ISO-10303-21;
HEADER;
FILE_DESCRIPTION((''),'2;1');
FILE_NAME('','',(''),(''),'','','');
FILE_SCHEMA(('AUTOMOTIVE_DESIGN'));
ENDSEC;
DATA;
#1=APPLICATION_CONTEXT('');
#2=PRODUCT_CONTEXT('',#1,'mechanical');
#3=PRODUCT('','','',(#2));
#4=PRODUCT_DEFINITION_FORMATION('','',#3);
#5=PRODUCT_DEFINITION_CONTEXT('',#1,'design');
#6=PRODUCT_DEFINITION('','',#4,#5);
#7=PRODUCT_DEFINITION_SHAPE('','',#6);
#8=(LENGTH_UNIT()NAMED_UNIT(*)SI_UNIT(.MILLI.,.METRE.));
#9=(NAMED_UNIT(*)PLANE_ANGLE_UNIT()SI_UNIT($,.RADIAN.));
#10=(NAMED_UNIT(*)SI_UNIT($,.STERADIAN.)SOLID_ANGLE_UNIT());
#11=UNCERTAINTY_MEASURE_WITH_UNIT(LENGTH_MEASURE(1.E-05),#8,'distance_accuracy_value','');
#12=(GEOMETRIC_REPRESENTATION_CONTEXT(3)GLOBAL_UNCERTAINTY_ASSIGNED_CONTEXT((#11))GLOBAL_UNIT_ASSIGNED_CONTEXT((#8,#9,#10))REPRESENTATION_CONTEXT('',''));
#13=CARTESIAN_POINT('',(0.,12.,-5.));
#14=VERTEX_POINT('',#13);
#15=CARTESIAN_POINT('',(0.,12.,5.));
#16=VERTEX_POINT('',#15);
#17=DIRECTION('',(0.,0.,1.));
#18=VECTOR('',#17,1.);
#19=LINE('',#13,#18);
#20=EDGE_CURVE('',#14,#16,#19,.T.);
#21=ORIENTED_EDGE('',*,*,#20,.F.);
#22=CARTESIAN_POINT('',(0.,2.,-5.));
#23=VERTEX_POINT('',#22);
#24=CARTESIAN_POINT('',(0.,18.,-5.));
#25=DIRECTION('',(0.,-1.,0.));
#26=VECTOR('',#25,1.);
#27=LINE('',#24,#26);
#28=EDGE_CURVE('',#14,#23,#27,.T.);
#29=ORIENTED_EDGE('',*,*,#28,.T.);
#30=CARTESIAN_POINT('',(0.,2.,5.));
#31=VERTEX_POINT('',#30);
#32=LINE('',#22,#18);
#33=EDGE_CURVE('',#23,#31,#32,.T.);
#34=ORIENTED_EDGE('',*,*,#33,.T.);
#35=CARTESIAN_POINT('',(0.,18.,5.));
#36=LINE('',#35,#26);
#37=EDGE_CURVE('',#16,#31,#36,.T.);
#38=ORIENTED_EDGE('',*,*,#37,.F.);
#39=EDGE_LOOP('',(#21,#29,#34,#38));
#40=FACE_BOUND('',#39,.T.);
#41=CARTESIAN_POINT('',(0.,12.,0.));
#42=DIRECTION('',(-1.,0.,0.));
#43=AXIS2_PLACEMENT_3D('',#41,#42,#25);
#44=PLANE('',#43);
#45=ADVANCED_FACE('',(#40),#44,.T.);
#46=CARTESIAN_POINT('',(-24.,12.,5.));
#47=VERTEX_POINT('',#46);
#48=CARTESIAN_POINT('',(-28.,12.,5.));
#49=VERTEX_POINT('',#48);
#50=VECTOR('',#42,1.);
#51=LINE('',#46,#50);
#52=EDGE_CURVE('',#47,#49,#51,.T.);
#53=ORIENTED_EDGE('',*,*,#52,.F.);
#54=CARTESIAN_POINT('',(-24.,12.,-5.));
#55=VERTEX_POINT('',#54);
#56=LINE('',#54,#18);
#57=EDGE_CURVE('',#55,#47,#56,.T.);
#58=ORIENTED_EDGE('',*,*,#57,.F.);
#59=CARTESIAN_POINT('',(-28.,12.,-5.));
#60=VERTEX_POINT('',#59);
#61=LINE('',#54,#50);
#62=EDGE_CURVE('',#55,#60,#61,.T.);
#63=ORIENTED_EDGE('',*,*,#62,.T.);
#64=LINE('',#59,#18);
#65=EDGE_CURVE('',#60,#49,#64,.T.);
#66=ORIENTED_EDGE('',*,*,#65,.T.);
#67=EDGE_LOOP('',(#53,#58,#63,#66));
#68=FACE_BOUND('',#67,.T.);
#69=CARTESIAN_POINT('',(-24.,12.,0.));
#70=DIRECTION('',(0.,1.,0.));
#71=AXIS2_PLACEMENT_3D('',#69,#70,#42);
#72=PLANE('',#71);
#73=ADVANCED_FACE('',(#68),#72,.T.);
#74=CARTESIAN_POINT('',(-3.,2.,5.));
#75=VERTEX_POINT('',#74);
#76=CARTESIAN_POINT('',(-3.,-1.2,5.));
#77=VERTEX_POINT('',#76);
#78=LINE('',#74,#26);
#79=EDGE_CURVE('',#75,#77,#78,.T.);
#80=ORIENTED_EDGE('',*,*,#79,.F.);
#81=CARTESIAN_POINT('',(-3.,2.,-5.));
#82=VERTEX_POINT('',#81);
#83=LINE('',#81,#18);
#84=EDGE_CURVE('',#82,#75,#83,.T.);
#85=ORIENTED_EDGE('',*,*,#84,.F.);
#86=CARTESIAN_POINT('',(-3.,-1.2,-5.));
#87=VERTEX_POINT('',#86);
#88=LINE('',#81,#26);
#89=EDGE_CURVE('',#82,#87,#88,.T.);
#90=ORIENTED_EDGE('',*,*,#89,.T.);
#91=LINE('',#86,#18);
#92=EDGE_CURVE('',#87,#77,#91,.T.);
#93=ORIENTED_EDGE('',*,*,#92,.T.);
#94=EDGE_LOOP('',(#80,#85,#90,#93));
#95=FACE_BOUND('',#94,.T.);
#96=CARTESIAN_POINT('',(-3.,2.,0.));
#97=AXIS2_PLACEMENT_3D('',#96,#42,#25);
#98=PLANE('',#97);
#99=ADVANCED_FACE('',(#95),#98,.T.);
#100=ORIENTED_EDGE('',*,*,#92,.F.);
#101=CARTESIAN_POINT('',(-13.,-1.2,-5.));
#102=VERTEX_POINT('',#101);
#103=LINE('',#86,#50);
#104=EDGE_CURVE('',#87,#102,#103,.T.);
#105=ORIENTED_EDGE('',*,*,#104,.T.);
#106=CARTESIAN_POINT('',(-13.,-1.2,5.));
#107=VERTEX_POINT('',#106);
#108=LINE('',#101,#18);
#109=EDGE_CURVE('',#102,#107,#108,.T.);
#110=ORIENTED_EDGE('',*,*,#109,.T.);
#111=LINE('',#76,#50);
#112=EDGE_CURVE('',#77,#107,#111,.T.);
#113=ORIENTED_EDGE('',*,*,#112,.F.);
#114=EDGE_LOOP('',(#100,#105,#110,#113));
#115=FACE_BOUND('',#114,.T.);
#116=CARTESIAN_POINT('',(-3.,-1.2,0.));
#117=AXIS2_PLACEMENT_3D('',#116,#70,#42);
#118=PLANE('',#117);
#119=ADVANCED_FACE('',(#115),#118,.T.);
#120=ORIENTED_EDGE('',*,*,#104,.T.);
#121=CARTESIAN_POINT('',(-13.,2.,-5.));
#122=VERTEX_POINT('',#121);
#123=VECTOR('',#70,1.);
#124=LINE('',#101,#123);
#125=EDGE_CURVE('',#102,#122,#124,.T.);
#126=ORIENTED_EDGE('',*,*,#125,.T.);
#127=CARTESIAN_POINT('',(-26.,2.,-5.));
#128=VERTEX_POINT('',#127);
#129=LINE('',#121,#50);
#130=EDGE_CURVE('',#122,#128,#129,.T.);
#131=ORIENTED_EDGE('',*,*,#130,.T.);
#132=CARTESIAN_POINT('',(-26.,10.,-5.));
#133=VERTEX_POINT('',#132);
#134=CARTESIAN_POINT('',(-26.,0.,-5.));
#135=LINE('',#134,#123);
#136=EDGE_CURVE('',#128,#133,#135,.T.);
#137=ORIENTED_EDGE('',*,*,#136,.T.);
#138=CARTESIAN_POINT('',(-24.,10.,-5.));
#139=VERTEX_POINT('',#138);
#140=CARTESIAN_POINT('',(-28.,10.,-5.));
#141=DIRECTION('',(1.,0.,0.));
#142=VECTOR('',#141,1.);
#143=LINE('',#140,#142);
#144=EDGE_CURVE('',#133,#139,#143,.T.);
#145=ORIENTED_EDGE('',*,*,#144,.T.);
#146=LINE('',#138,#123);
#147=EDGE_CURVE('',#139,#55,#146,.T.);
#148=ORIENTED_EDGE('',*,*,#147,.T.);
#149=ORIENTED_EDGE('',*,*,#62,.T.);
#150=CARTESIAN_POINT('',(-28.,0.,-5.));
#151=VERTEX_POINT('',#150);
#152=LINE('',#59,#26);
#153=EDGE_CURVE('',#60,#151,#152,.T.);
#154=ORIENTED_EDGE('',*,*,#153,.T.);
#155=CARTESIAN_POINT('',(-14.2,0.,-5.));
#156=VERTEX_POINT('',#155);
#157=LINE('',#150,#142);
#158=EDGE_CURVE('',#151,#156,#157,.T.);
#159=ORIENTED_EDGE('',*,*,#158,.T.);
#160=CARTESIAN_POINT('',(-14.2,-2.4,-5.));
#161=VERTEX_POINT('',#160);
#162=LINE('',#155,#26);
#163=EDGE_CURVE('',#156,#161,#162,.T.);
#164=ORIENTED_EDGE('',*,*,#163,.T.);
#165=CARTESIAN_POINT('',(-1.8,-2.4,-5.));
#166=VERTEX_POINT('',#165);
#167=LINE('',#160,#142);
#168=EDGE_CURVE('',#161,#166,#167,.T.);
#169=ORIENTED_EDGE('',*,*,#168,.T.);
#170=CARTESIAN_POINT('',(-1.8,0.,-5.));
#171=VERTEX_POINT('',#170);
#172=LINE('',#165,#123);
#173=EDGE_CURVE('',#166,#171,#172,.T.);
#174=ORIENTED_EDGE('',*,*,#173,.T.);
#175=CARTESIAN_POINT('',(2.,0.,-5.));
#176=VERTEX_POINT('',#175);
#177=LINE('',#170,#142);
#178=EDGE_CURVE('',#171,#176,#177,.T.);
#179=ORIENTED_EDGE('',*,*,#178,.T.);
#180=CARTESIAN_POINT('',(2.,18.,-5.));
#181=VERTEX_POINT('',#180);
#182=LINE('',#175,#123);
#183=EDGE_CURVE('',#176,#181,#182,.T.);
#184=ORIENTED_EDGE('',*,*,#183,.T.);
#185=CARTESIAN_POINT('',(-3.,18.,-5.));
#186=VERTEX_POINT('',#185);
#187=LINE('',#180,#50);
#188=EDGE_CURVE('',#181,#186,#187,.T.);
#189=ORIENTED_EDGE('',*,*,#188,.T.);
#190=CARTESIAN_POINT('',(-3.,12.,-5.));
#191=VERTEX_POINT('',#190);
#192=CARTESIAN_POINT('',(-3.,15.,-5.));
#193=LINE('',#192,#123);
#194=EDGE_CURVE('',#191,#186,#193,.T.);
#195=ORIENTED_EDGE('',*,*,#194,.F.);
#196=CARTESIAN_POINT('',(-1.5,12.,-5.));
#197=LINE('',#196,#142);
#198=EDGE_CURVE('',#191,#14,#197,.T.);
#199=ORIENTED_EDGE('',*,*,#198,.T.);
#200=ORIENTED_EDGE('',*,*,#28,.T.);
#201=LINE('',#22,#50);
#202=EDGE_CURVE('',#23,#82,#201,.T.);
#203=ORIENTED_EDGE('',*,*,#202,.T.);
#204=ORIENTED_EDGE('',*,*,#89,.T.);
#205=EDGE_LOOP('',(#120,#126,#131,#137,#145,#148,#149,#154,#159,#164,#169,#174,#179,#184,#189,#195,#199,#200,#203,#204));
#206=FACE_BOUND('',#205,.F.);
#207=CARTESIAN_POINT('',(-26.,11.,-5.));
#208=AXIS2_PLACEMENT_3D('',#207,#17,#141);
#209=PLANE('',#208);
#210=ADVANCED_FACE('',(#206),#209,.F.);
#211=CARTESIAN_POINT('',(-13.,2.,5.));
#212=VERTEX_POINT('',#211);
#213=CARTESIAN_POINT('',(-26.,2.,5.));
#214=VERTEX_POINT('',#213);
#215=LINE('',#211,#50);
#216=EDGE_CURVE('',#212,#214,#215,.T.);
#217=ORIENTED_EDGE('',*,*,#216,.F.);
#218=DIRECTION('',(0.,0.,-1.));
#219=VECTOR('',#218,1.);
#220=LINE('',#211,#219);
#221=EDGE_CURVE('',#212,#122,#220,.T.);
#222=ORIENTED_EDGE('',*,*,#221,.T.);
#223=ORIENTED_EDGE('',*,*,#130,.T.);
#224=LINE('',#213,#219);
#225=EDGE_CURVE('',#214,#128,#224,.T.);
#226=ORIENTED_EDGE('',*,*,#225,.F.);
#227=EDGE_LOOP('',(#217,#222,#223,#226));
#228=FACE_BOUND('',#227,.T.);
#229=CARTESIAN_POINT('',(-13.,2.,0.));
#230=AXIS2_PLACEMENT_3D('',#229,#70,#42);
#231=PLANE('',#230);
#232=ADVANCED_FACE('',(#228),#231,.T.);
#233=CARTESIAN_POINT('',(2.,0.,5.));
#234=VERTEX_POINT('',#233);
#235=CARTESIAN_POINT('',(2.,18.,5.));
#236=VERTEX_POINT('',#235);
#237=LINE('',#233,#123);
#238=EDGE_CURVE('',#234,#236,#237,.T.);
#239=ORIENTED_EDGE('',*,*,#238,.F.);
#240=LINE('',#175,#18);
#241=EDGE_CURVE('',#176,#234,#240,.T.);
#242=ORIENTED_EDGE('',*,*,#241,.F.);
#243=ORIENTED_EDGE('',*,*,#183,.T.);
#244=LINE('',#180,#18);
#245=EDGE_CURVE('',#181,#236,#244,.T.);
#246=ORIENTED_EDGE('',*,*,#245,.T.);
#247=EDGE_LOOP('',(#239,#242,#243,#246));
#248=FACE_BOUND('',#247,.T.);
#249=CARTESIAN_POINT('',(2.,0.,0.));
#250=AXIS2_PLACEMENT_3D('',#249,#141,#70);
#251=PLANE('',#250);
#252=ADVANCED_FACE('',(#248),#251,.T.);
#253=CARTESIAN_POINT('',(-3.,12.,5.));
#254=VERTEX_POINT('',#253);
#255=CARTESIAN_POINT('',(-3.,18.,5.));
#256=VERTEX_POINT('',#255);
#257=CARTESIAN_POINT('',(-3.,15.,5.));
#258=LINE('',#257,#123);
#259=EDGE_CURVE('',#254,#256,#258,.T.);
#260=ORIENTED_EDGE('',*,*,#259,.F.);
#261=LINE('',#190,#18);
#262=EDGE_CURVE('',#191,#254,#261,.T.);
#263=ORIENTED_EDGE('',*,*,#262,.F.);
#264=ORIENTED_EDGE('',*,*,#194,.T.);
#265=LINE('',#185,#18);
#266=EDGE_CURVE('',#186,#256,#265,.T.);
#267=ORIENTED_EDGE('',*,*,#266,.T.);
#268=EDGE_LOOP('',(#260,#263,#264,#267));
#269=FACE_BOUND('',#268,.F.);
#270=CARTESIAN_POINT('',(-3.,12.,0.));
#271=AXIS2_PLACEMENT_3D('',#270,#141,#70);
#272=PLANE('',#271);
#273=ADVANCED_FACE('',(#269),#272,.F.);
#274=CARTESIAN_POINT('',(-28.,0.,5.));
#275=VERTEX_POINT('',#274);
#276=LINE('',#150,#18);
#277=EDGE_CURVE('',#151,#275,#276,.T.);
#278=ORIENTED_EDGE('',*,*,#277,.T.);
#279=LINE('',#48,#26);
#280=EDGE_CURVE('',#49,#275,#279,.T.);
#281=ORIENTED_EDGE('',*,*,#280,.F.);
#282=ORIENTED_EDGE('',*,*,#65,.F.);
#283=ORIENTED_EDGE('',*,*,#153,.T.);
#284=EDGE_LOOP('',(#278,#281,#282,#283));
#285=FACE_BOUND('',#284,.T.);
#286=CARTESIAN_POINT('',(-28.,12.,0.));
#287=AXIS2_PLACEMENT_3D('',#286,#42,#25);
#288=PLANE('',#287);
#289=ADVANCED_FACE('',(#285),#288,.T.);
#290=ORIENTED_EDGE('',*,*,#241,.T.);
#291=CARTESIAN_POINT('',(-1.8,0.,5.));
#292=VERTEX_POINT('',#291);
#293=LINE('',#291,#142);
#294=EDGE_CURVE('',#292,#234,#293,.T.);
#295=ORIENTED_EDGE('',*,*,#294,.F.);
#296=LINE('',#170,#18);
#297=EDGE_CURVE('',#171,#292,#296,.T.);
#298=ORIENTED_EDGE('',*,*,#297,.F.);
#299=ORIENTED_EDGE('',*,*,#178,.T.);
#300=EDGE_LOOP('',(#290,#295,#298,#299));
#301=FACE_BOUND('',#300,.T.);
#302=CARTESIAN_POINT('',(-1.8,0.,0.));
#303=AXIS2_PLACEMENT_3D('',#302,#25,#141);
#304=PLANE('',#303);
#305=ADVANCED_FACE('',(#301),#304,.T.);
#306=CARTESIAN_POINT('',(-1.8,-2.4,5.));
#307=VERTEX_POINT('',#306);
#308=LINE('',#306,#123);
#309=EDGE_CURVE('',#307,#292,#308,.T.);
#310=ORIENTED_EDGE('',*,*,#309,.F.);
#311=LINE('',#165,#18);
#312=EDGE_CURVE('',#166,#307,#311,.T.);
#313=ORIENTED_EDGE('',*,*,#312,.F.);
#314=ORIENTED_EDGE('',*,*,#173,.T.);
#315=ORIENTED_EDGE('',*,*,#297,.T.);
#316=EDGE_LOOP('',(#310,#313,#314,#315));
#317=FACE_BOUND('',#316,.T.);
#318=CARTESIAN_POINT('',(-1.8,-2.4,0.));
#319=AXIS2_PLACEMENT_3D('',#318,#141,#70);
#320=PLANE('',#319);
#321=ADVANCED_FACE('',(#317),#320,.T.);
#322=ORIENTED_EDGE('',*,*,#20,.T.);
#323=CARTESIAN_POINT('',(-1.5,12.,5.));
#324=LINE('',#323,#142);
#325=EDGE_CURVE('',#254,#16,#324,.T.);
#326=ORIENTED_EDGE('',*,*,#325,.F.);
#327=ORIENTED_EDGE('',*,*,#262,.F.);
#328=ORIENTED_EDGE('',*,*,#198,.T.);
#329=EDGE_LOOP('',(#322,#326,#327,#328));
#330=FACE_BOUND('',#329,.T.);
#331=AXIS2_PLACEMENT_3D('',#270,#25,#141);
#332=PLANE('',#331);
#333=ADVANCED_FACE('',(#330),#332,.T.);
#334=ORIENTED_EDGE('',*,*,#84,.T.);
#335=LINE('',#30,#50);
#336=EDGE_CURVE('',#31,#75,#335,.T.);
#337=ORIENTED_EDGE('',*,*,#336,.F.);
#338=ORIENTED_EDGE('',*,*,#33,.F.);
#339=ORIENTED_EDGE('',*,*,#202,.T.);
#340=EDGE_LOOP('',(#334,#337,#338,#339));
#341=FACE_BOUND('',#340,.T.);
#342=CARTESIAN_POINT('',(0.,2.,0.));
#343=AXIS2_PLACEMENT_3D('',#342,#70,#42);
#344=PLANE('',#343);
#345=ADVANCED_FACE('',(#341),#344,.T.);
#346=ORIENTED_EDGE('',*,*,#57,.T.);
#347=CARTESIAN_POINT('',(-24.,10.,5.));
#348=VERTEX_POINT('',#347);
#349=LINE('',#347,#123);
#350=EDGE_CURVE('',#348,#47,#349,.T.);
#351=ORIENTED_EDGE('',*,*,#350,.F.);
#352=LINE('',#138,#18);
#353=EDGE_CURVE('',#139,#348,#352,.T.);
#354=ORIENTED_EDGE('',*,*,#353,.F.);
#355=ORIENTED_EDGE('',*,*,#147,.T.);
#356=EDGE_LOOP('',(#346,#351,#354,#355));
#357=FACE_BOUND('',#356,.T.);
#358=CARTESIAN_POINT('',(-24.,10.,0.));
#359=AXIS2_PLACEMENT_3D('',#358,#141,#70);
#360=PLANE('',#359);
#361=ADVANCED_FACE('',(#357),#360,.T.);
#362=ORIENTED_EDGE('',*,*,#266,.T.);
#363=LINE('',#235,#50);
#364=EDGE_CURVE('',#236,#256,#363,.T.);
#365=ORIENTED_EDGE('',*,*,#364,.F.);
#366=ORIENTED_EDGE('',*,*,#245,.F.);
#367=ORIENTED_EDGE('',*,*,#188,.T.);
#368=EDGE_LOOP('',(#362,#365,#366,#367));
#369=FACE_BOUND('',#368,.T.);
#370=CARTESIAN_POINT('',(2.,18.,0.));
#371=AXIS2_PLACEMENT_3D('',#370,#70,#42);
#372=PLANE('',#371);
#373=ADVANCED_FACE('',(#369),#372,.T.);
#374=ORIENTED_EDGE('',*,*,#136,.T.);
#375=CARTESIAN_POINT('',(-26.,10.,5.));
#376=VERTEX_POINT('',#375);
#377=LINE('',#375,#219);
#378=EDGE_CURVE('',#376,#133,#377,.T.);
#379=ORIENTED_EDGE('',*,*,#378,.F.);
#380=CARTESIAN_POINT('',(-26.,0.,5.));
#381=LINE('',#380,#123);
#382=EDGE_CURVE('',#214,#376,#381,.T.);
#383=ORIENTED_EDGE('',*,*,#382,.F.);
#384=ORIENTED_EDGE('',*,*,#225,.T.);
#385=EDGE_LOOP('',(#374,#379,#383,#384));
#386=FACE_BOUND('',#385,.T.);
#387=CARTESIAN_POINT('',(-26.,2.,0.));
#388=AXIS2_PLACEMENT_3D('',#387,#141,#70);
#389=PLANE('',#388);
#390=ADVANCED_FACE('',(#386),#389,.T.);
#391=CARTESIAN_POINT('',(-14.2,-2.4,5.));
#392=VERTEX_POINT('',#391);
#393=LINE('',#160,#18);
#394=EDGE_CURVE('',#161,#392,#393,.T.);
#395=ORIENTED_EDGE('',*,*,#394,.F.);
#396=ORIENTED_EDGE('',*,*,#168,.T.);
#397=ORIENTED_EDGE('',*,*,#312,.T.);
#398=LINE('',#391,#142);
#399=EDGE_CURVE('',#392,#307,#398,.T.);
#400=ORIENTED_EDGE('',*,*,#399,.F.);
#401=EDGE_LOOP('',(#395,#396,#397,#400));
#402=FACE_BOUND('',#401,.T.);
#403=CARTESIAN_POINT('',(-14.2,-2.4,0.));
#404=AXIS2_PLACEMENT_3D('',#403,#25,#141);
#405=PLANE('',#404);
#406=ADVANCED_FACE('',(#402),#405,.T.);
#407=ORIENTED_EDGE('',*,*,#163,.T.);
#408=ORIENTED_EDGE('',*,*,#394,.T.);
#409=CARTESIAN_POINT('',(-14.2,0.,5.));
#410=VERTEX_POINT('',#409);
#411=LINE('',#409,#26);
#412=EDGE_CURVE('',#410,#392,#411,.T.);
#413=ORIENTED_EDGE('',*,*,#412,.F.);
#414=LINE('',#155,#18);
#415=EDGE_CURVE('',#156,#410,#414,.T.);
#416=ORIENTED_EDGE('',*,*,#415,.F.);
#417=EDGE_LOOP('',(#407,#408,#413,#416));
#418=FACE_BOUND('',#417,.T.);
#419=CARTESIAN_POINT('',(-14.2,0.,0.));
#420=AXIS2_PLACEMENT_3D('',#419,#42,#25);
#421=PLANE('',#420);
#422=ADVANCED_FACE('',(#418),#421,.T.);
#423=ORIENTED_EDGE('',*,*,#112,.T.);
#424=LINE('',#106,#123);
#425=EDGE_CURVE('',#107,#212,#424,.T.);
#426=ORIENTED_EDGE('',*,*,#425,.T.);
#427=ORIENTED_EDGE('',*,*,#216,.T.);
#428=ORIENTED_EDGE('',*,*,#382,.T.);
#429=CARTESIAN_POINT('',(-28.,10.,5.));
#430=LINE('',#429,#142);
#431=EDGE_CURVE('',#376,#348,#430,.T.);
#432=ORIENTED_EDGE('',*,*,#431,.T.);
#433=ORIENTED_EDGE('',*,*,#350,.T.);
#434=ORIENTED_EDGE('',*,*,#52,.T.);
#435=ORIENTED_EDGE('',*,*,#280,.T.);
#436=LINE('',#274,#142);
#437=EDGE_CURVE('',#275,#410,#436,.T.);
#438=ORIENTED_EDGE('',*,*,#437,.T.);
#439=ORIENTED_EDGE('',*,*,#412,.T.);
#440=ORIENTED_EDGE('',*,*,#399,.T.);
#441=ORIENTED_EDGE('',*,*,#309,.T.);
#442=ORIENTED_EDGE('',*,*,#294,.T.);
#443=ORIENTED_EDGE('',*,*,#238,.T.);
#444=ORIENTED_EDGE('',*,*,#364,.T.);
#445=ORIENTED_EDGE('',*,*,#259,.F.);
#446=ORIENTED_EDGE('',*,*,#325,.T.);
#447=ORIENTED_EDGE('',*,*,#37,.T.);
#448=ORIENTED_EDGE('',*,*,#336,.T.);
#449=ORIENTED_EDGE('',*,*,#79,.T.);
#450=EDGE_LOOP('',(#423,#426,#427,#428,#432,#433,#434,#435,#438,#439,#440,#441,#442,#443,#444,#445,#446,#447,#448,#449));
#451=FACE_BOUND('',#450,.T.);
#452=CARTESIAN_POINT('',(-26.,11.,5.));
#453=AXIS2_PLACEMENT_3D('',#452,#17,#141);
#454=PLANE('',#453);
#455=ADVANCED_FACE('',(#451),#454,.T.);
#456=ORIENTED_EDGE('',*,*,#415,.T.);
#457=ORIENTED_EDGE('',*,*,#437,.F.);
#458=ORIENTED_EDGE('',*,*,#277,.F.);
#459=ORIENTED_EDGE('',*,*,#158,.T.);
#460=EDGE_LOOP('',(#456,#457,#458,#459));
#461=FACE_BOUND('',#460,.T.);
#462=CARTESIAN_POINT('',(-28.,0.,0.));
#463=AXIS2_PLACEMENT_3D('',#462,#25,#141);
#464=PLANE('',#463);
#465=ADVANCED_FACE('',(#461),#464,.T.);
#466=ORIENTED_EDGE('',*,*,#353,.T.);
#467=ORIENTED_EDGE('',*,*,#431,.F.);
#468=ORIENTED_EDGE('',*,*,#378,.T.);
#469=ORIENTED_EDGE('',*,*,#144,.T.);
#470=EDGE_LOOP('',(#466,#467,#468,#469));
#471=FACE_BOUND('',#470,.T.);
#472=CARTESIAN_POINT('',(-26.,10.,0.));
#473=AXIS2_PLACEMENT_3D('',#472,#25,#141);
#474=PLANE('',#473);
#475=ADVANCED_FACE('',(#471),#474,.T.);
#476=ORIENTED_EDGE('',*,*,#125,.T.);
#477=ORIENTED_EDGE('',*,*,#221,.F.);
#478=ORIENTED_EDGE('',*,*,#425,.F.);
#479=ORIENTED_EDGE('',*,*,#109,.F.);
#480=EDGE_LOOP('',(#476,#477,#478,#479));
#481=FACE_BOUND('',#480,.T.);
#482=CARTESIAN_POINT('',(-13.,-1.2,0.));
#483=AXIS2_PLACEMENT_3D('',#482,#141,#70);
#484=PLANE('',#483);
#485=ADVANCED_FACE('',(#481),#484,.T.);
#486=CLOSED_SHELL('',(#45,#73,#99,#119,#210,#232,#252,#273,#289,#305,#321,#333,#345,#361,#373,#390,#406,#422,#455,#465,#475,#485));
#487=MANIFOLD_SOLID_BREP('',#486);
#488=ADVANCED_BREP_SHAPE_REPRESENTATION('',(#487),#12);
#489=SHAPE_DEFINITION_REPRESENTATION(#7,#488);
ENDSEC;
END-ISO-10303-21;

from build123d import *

# Parameters (mm, degrees)
F0_W     = 3
F0_H     = 6
F1_DEPTH = 5


with BuildPart() as f1:
    # F0 (on Top) → F1 (new body, symmetric)
    with BuildSketch(Plane.XY):
        Polygon((-28, 10), (-26, 10), (-24, 10), (-24, 12), (-28, 12), align=None)
        Polygon((-26, 0), (-26, 2), (-26, 10), (-28, 10), (-28, 0), align=None)
        Polygon((-14.2, 0), (-13, 0), (-13, 2), (-26, 2), (-26, 0), align=None)
        Polygon((-1.8, -2.4), (-1.8, 0), (-3, 0), (-3, -1.2), (-13, -1.2), (-13, 0), (-14.2, 0), (-14.2, -2.4), align=None)
        Polygon((-1.8, 0), (0, 0), (0, 2), (-3, 2), (-3, 0), align=None)
        Polygon((0, 2), (0, 0), (2, 0), (2, 18), (0, 18), (0, 12), align=None)
        with Locations((-1.5, 15)):
            Rectangle(F0_W, F0_H)
    extrude(amount=F1_DEPTH, both=True)


solid = f1.part
